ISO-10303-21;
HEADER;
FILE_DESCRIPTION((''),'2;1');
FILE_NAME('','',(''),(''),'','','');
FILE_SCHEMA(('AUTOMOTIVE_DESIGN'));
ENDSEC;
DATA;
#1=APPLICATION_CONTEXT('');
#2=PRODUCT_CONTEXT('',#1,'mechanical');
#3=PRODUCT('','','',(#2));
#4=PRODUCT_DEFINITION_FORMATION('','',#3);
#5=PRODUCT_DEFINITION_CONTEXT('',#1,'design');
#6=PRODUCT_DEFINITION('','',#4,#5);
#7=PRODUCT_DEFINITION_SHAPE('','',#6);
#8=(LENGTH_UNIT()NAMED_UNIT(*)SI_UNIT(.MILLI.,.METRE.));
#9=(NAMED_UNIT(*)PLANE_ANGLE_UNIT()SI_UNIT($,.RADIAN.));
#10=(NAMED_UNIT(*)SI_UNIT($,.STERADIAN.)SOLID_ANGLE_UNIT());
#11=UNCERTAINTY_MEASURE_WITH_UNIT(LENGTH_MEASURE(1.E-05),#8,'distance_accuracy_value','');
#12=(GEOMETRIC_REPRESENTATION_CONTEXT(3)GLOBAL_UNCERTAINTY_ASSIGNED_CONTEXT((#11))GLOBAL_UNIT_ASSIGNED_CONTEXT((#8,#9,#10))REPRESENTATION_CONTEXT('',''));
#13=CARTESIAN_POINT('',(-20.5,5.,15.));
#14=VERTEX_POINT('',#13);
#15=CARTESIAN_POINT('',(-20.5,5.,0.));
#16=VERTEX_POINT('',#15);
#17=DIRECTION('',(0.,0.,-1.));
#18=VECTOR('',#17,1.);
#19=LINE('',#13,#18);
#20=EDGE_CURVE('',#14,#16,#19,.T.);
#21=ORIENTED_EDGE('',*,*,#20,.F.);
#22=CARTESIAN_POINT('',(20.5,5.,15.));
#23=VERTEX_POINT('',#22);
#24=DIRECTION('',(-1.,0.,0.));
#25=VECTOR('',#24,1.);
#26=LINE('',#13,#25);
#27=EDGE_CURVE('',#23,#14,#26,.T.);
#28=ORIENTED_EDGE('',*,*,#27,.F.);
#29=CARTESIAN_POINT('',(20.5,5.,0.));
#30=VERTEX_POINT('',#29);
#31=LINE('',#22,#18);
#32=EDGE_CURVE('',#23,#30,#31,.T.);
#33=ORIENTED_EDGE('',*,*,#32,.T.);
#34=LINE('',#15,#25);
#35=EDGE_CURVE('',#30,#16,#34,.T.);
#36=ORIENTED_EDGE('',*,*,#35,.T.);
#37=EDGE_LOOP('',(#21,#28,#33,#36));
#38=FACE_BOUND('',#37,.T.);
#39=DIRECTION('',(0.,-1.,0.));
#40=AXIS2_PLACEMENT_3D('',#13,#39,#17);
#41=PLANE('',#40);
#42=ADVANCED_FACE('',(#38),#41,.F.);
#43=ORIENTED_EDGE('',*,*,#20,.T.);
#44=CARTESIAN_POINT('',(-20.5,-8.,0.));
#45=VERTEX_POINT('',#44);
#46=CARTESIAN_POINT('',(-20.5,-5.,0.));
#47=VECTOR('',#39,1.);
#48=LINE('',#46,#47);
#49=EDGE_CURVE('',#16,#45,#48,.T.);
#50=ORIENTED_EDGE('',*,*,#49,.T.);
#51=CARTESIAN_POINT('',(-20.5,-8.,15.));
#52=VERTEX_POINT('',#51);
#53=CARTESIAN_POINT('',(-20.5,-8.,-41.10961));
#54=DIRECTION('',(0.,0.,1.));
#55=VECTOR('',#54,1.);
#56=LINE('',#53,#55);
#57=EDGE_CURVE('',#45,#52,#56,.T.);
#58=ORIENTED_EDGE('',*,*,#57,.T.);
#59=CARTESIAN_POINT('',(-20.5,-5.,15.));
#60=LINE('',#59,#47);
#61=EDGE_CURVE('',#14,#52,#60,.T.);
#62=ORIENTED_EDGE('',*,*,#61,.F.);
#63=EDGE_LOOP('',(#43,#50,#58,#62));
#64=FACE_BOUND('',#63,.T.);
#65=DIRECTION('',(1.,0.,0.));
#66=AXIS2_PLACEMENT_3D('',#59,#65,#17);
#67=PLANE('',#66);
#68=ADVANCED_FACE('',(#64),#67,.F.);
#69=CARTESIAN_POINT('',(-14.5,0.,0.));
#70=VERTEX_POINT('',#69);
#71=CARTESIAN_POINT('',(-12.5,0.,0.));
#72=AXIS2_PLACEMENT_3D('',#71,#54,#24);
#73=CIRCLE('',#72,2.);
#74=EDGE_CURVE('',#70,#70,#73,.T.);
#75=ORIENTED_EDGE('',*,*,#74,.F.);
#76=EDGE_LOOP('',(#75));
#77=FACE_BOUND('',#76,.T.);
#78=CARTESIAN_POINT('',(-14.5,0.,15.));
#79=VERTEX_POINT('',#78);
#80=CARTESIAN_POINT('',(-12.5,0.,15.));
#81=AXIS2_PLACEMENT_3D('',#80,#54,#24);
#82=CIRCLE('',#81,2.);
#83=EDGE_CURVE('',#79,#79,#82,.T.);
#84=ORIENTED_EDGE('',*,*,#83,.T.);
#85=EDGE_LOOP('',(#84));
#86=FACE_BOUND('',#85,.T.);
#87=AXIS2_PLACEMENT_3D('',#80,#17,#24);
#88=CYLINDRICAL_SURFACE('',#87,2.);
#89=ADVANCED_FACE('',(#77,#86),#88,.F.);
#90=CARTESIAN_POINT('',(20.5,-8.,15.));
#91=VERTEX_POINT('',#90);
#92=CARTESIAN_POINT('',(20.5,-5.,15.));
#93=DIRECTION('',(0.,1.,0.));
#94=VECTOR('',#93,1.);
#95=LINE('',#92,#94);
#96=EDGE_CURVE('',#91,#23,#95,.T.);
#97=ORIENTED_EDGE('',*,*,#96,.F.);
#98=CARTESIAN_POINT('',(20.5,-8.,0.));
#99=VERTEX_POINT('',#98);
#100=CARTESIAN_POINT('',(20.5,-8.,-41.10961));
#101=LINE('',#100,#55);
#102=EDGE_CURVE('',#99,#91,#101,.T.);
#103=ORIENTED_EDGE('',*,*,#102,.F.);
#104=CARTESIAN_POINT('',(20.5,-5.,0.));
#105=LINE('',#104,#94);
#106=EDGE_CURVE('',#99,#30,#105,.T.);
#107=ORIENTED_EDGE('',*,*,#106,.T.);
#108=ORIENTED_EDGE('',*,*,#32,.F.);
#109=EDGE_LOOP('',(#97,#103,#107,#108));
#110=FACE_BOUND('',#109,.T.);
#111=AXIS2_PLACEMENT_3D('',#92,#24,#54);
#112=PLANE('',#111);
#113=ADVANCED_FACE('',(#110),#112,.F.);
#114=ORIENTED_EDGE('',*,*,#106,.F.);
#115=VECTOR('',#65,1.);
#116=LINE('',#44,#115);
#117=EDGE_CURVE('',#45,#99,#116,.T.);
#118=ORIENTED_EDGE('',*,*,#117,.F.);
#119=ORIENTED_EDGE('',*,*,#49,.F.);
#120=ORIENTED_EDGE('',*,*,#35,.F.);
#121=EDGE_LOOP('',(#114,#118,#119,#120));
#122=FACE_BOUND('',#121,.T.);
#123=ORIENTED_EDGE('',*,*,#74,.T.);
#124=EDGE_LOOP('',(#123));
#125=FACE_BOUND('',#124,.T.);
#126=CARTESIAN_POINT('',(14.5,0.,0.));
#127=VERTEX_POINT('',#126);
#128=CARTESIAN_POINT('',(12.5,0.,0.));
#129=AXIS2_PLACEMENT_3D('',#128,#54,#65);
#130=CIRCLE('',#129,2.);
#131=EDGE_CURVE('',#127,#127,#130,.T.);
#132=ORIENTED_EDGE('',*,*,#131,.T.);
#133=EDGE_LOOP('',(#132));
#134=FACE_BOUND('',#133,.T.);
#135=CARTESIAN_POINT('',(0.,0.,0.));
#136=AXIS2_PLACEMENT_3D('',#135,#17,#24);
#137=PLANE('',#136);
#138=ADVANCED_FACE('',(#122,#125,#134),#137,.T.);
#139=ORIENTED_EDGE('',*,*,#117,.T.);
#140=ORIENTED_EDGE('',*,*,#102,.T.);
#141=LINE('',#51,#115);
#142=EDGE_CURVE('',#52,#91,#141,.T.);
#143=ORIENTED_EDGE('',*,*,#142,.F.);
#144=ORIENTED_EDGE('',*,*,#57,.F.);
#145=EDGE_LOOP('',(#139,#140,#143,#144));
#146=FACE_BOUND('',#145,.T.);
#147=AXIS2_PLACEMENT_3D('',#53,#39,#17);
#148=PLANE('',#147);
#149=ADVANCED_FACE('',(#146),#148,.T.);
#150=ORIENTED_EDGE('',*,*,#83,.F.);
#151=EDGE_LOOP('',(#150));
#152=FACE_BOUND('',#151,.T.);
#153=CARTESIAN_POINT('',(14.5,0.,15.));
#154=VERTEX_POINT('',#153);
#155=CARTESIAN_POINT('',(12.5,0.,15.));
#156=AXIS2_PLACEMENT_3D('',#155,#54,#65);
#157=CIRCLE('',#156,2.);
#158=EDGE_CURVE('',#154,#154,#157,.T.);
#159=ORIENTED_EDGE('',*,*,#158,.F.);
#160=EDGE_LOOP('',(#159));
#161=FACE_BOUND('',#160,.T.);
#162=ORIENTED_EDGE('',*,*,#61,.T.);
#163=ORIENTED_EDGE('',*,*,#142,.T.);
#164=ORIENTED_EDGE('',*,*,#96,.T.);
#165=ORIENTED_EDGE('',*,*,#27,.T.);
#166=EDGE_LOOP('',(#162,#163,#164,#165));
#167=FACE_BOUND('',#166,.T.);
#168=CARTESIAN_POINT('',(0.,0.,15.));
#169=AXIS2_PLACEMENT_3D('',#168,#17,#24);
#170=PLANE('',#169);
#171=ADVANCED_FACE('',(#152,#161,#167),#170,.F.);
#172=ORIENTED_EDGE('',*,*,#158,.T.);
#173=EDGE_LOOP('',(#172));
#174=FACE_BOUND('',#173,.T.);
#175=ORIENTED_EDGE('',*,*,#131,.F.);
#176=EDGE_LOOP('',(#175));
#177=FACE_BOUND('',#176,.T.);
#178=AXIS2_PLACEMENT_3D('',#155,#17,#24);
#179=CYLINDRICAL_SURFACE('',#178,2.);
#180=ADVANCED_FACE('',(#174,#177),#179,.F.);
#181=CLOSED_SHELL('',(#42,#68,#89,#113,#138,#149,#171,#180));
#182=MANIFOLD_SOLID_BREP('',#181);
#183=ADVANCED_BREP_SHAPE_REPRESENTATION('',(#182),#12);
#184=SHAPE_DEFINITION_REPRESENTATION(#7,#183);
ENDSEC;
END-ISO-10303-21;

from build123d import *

# Parameters (mm, degrees)
SKETCH_1_W      = 41
SKETCH_1_H      = 10
SKETCH_1_R      = 2
EXTRUDE_1_DEPTH = 15
SKETCH_2_W      = 41
SKETCH_2_H      = 3
EXTRUDE_2_DEPTH = 15


with BuildPart() as part:
    # 草图1 → 凸台-拉伸1 (new body)
    with BuildSketch(Plane.XY):
        Rectangle(SKETCH_1_W, SKETCH_1_H)
        with Locations((12.5, 0)):
            Circle(SKETCH_1_R, mode=Mode.SUBTRACT)
        with Locations(Location((-12.5, 0, 0), (0, 0, 180))):
            Circle(SKETCH_1_R, mode=Mode.SUBTRACT)
    extrude(amount=EXTRUDE_1_DEPTH)

    # 草图2 → 凸台-拉伸2 (add)
    with BuildSketch(Plane.XY.offset(15)):
        with Locations((0, -6.5)):
            Rectangle(SKETCH_2_W, SKETCH_2_H)
    extrude(amount=-EXTRUDE_2_DEPTH)


solid = part.part
